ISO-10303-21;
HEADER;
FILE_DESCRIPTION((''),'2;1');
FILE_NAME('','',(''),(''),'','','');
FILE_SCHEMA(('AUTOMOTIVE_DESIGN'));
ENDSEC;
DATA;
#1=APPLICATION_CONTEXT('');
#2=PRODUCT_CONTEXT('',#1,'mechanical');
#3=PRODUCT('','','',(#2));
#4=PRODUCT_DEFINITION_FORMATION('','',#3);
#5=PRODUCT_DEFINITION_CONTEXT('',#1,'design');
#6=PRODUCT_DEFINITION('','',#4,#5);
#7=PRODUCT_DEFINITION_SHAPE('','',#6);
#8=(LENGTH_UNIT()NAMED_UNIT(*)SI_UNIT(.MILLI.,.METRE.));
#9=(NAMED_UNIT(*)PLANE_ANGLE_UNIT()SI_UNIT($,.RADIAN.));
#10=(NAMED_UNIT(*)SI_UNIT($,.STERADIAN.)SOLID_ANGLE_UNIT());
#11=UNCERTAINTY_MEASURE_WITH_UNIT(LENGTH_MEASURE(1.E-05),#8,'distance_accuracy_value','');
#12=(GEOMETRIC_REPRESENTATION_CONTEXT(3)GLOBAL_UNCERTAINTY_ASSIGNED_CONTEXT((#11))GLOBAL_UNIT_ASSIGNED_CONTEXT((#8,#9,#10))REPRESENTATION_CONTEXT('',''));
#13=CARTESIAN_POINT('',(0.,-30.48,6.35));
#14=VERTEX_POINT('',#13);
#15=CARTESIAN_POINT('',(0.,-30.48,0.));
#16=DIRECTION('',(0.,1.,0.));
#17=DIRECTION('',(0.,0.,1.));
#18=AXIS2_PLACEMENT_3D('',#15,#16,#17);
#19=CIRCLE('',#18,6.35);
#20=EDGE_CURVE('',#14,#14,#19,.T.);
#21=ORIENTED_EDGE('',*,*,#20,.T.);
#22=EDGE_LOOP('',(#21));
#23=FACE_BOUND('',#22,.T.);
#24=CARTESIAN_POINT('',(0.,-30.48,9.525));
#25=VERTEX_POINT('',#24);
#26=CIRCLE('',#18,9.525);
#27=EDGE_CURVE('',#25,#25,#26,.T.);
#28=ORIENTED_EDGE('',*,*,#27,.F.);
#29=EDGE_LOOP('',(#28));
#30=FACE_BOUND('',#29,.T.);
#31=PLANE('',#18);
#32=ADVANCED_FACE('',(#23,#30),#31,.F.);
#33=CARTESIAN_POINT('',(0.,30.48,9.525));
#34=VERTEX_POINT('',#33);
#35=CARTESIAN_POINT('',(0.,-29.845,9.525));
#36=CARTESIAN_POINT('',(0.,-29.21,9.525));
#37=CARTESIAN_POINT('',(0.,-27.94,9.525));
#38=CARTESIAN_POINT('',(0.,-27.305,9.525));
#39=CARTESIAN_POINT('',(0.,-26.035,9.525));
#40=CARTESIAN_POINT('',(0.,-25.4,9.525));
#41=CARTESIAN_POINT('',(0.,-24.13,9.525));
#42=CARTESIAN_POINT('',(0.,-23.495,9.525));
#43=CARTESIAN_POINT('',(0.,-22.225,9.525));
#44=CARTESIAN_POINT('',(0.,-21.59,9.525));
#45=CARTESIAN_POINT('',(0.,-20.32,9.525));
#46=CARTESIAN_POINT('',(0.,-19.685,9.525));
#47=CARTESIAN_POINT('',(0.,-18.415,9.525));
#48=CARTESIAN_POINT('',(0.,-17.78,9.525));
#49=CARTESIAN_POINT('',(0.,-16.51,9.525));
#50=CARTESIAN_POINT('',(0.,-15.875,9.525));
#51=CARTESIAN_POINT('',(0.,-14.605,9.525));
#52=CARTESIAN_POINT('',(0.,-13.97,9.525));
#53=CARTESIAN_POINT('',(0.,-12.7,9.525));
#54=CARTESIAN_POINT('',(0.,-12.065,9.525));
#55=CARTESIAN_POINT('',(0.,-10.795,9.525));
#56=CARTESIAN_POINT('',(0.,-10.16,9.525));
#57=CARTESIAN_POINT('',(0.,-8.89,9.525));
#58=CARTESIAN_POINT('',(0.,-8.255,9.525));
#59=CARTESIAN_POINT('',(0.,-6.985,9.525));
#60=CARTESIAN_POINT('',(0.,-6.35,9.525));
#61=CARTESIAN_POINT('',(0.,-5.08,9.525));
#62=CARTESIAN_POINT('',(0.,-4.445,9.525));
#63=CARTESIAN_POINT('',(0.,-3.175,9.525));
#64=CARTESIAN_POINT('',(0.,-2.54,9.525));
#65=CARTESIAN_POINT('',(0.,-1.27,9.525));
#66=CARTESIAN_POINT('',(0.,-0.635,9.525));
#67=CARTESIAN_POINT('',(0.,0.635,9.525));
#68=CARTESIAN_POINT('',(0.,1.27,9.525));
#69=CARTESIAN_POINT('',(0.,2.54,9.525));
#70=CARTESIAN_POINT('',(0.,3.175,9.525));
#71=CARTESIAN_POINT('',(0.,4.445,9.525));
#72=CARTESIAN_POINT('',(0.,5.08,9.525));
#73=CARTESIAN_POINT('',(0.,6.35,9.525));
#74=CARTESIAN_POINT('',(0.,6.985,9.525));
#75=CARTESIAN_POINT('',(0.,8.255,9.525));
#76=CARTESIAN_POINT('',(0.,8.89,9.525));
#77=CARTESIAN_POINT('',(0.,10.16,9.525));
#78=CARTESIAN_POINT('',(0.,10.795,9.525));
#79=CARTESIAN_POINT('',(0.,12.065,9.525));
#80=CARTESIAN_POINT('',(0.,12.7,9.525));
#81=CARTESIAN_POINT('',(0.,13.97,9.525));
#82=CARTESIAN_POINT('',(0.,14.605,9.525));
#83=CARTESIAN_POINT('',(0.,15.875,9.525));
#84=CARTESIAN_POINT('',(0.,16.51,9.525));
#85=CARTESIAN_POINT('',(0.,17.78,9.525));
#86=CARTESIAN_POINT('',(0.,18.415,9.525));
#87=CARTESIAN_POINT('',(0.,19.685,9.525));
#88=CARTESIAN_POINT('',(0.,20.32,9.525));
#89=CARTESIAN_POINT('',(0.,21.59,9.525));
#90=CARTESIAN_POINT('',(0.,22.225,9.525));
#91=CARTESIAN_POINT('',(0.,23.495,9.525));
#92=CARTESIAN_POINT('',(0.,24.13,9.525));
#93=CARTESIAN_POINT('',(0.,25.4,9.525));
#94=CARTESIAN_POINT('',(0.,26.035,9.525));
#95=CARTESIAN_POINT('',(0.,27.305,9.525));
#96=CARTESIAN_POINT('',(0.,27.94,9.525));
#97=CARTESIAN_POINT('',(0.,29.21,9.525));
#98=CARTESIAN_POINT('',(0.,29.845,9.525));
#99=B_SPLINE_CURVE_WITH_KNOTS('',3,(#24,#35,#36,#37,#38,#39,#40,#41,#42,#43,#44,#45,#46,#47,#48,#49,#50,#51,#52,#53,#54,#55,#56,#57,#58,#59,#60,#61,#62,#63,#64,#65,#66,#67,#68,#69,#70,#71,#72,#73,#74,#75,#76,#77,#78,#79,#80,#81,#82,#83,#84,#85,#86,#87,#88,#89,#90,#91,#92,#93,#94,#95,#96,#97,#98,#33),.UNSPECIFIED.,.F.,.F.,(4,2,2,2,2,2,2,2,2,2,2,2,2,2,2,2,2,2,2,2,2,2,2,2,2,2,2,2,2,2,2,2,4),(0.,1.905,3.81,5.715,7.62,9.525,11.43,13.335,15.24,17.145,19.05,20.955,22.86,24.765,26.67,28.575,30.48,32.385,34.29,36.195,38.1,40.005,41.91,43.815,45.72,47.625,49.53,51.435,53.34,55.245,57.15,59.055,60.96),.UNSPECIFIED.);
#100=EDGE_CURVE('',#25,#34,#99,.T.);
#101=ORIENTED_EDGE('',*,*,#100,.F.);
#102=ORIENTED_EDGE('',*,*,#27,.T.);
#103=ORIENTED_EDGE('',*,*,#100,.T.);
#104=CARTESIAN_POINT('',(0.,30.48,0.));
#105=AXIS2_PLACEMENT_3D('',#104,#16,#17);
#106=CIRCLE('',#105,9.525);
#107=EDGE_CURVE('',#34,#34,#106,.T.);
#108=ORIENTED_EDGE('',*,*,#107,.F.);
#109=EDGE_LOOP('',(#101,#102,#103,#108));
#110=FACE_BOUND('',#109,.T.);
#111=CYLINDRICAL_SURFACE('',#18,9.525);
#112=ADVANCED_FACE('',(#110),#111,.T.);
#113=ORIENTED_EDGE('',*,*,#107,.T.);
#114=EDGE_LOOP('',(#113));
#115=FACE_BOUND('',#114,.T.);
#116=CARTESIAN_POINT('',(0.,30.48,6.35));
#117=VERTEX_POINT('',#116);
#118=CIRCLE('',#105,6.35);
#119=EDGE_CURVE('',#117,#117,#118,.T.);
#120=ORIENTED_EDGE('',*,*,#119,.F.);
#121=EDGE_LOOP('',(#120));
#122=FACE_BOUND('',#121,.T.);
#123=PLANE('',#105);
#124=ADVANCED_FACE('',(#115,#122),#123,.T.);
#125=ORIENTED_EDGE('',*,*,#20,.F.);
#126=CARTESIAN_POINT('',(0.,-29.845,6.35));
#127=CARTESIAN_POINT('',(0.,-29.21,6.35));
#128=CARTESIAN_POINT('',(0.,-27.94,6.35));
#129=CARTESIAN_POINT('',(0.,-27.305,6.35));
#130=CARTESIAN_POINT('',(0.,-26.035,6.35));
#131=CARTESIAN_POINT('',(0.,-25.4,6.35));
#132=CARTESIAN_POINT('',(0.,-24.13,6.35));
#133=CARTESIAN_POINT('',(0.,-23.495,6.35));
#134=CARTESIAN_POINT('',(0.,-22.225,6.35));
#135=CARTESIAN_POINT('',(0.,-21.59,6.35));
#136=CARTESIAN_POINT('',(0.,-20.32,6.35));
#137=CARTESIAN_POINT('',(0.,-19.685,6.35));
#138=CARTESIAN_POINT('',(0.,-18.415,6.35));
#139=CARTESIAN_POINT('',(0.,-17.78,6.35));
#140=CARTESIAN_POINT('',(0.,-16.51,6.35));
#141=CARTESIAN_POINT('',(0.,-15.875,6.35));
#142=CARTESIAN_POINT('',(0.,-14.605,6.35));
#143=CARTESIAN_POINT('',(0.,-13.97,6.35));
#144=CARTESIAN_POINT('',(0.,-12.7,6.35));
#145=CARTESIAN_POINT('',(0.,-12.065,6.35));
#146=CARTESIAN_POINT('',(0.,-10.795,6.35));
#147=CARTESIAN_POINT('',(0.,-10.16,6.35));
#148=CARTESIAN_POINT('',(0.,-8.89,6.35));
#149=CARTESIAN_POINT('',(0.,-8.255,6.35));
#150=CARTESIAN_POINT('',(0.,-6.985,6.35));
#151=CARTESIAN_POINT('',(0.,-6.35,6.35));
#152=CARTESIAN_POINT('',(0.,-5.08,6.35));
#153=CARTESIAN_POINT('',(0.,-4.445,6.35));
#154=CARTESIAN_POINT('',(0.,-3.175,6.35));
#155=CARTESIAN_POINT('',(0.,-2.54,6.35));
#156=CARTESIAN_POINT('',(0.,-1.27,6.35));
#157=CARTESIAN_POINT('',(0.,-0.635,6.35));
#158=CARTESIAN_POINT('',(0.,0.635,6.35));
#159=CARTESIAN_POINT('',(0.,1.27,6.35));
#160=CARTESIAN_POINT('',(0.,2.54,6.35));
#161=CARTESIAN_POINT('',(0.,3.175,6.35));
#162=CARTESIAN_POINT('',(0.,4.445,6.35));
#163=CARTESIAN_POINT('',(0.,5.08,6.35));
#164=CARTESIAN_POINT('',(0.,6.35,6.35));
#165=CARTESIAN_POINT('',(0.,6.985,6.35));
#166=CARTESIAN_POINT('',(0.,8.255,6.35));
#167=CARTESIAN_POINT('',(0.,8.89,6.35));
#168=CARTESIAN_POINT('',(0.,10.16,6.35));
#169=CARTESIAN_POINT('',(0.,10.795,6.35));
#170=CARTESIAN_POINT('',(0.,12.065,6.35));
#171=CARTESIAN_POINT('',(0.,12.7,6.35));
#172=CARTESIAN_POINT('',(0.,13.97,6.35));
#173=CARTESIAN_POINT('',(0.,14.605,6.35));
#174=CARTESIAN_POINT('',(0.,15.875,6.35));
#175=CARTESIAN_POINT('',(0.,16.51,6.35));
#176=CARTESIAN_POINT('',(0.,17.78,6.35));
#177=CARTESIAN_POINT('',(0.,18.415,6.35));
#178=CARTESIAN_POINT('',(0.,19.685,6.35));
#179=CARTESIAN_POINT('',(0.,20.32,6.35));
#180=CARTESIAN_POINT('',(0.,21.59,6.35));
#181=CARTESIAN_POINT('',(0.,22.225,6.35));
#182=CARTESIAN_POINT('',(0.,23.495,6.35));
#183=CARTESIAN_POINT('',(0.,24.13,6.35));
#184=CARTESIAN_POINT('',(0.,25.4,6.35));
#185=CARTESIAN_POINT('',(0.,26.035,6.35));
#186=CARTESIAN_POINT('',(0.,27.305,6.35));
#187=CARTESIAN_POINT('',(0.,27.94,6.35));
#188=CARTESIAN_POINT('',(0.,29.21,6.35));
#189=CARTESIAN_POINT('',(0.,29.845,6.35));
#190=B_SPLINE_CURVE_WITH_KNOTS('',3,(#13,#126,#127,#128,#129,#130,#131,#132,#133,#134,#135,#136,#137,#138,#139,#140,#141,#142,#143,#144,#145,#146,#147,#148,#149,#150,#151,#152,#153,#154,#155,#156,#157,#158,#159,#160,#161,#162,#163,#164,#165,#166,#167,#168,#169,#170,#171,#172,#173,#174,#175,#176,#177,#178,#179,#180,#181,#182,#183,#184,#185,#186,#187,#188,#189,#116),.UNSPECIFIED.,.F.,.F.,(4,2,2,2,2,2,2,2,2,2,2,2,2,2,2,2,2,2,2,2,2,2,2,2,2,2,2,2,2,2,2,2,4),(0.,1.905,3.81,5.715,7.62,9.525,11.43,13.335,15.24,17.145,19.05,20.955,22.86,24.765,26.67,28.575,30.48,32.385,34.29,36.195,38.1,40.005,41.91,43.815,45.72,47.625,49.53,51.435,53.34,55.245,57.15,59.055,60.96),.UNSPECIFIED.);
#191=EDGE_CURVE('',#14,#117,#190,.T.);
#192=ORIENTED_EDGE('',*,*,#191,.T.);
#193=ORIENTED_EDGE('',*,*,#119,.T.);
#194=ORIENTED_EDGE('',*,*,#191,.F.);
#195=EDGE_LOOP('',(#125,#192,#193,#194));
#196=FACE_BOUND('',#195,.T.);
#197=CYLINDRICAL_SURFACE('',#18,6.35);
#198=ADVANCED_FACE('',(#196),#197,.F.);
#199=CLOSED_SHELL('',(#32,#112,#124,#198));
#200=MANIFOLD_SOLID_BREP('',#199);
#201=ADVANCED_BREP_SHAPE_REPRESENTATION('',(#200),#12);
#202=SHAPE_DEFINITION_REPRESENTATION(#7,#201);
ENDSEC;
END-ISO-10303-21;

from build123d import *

# Parameters (mm, degrees)
EXTRUDE1_DEPTH          = 30.48
EXTRUDE1_DEPTH_BACK     = 30.48
SKETCH1_R               = 9.525
CUT_EXTRUDE1_DEPTH      = 34.323890079
CUT_EXTRUDE1_DEPTH_BACK = 34.323890079
SKETCH2_R               = 6.35


with BuildPart() as part:
    # Sketch1 → Extrude1 (new, two sides: drawn at the far end of the back side and taken through both)
    with BuildSketch(Plane(origin=(0, 0, 0), x_dir=(1, 0, 0), z_dir=(0, 1, 0)).offset(-EXTRUDE1_DEPTH_BACK)):
        with Locations(Location((0, 0, 0), (0, 0, 270))):
            Circle(SKETCH1_R)
    extrude(amount=EXTRUDE1_DEPTH + EXTRUDE1_DEPTH_BACK)

    # Sketch2 → Cut-Extrude1 (cut, two sides: drawn at the far end of the back side and taken through both)
    with BuildSketch(Plane(origin=(0, 0, 0), x_dir=(1, 0, 0), z_dir=(0, 1, 0)).offset(-CUT_EXTRUDE1_DEPTH_BACK)):
        with Locations(Location((0, 0, 0), (0, 0, 270))):
            Circle(SKETCH2_R)
    extrude(amount=CUT_EXTRUDE1_DEPTH + CUT_EXTRUDE1_DEPTH_BACK, mode=Mode.SUBTRACT)


solid = part.part
